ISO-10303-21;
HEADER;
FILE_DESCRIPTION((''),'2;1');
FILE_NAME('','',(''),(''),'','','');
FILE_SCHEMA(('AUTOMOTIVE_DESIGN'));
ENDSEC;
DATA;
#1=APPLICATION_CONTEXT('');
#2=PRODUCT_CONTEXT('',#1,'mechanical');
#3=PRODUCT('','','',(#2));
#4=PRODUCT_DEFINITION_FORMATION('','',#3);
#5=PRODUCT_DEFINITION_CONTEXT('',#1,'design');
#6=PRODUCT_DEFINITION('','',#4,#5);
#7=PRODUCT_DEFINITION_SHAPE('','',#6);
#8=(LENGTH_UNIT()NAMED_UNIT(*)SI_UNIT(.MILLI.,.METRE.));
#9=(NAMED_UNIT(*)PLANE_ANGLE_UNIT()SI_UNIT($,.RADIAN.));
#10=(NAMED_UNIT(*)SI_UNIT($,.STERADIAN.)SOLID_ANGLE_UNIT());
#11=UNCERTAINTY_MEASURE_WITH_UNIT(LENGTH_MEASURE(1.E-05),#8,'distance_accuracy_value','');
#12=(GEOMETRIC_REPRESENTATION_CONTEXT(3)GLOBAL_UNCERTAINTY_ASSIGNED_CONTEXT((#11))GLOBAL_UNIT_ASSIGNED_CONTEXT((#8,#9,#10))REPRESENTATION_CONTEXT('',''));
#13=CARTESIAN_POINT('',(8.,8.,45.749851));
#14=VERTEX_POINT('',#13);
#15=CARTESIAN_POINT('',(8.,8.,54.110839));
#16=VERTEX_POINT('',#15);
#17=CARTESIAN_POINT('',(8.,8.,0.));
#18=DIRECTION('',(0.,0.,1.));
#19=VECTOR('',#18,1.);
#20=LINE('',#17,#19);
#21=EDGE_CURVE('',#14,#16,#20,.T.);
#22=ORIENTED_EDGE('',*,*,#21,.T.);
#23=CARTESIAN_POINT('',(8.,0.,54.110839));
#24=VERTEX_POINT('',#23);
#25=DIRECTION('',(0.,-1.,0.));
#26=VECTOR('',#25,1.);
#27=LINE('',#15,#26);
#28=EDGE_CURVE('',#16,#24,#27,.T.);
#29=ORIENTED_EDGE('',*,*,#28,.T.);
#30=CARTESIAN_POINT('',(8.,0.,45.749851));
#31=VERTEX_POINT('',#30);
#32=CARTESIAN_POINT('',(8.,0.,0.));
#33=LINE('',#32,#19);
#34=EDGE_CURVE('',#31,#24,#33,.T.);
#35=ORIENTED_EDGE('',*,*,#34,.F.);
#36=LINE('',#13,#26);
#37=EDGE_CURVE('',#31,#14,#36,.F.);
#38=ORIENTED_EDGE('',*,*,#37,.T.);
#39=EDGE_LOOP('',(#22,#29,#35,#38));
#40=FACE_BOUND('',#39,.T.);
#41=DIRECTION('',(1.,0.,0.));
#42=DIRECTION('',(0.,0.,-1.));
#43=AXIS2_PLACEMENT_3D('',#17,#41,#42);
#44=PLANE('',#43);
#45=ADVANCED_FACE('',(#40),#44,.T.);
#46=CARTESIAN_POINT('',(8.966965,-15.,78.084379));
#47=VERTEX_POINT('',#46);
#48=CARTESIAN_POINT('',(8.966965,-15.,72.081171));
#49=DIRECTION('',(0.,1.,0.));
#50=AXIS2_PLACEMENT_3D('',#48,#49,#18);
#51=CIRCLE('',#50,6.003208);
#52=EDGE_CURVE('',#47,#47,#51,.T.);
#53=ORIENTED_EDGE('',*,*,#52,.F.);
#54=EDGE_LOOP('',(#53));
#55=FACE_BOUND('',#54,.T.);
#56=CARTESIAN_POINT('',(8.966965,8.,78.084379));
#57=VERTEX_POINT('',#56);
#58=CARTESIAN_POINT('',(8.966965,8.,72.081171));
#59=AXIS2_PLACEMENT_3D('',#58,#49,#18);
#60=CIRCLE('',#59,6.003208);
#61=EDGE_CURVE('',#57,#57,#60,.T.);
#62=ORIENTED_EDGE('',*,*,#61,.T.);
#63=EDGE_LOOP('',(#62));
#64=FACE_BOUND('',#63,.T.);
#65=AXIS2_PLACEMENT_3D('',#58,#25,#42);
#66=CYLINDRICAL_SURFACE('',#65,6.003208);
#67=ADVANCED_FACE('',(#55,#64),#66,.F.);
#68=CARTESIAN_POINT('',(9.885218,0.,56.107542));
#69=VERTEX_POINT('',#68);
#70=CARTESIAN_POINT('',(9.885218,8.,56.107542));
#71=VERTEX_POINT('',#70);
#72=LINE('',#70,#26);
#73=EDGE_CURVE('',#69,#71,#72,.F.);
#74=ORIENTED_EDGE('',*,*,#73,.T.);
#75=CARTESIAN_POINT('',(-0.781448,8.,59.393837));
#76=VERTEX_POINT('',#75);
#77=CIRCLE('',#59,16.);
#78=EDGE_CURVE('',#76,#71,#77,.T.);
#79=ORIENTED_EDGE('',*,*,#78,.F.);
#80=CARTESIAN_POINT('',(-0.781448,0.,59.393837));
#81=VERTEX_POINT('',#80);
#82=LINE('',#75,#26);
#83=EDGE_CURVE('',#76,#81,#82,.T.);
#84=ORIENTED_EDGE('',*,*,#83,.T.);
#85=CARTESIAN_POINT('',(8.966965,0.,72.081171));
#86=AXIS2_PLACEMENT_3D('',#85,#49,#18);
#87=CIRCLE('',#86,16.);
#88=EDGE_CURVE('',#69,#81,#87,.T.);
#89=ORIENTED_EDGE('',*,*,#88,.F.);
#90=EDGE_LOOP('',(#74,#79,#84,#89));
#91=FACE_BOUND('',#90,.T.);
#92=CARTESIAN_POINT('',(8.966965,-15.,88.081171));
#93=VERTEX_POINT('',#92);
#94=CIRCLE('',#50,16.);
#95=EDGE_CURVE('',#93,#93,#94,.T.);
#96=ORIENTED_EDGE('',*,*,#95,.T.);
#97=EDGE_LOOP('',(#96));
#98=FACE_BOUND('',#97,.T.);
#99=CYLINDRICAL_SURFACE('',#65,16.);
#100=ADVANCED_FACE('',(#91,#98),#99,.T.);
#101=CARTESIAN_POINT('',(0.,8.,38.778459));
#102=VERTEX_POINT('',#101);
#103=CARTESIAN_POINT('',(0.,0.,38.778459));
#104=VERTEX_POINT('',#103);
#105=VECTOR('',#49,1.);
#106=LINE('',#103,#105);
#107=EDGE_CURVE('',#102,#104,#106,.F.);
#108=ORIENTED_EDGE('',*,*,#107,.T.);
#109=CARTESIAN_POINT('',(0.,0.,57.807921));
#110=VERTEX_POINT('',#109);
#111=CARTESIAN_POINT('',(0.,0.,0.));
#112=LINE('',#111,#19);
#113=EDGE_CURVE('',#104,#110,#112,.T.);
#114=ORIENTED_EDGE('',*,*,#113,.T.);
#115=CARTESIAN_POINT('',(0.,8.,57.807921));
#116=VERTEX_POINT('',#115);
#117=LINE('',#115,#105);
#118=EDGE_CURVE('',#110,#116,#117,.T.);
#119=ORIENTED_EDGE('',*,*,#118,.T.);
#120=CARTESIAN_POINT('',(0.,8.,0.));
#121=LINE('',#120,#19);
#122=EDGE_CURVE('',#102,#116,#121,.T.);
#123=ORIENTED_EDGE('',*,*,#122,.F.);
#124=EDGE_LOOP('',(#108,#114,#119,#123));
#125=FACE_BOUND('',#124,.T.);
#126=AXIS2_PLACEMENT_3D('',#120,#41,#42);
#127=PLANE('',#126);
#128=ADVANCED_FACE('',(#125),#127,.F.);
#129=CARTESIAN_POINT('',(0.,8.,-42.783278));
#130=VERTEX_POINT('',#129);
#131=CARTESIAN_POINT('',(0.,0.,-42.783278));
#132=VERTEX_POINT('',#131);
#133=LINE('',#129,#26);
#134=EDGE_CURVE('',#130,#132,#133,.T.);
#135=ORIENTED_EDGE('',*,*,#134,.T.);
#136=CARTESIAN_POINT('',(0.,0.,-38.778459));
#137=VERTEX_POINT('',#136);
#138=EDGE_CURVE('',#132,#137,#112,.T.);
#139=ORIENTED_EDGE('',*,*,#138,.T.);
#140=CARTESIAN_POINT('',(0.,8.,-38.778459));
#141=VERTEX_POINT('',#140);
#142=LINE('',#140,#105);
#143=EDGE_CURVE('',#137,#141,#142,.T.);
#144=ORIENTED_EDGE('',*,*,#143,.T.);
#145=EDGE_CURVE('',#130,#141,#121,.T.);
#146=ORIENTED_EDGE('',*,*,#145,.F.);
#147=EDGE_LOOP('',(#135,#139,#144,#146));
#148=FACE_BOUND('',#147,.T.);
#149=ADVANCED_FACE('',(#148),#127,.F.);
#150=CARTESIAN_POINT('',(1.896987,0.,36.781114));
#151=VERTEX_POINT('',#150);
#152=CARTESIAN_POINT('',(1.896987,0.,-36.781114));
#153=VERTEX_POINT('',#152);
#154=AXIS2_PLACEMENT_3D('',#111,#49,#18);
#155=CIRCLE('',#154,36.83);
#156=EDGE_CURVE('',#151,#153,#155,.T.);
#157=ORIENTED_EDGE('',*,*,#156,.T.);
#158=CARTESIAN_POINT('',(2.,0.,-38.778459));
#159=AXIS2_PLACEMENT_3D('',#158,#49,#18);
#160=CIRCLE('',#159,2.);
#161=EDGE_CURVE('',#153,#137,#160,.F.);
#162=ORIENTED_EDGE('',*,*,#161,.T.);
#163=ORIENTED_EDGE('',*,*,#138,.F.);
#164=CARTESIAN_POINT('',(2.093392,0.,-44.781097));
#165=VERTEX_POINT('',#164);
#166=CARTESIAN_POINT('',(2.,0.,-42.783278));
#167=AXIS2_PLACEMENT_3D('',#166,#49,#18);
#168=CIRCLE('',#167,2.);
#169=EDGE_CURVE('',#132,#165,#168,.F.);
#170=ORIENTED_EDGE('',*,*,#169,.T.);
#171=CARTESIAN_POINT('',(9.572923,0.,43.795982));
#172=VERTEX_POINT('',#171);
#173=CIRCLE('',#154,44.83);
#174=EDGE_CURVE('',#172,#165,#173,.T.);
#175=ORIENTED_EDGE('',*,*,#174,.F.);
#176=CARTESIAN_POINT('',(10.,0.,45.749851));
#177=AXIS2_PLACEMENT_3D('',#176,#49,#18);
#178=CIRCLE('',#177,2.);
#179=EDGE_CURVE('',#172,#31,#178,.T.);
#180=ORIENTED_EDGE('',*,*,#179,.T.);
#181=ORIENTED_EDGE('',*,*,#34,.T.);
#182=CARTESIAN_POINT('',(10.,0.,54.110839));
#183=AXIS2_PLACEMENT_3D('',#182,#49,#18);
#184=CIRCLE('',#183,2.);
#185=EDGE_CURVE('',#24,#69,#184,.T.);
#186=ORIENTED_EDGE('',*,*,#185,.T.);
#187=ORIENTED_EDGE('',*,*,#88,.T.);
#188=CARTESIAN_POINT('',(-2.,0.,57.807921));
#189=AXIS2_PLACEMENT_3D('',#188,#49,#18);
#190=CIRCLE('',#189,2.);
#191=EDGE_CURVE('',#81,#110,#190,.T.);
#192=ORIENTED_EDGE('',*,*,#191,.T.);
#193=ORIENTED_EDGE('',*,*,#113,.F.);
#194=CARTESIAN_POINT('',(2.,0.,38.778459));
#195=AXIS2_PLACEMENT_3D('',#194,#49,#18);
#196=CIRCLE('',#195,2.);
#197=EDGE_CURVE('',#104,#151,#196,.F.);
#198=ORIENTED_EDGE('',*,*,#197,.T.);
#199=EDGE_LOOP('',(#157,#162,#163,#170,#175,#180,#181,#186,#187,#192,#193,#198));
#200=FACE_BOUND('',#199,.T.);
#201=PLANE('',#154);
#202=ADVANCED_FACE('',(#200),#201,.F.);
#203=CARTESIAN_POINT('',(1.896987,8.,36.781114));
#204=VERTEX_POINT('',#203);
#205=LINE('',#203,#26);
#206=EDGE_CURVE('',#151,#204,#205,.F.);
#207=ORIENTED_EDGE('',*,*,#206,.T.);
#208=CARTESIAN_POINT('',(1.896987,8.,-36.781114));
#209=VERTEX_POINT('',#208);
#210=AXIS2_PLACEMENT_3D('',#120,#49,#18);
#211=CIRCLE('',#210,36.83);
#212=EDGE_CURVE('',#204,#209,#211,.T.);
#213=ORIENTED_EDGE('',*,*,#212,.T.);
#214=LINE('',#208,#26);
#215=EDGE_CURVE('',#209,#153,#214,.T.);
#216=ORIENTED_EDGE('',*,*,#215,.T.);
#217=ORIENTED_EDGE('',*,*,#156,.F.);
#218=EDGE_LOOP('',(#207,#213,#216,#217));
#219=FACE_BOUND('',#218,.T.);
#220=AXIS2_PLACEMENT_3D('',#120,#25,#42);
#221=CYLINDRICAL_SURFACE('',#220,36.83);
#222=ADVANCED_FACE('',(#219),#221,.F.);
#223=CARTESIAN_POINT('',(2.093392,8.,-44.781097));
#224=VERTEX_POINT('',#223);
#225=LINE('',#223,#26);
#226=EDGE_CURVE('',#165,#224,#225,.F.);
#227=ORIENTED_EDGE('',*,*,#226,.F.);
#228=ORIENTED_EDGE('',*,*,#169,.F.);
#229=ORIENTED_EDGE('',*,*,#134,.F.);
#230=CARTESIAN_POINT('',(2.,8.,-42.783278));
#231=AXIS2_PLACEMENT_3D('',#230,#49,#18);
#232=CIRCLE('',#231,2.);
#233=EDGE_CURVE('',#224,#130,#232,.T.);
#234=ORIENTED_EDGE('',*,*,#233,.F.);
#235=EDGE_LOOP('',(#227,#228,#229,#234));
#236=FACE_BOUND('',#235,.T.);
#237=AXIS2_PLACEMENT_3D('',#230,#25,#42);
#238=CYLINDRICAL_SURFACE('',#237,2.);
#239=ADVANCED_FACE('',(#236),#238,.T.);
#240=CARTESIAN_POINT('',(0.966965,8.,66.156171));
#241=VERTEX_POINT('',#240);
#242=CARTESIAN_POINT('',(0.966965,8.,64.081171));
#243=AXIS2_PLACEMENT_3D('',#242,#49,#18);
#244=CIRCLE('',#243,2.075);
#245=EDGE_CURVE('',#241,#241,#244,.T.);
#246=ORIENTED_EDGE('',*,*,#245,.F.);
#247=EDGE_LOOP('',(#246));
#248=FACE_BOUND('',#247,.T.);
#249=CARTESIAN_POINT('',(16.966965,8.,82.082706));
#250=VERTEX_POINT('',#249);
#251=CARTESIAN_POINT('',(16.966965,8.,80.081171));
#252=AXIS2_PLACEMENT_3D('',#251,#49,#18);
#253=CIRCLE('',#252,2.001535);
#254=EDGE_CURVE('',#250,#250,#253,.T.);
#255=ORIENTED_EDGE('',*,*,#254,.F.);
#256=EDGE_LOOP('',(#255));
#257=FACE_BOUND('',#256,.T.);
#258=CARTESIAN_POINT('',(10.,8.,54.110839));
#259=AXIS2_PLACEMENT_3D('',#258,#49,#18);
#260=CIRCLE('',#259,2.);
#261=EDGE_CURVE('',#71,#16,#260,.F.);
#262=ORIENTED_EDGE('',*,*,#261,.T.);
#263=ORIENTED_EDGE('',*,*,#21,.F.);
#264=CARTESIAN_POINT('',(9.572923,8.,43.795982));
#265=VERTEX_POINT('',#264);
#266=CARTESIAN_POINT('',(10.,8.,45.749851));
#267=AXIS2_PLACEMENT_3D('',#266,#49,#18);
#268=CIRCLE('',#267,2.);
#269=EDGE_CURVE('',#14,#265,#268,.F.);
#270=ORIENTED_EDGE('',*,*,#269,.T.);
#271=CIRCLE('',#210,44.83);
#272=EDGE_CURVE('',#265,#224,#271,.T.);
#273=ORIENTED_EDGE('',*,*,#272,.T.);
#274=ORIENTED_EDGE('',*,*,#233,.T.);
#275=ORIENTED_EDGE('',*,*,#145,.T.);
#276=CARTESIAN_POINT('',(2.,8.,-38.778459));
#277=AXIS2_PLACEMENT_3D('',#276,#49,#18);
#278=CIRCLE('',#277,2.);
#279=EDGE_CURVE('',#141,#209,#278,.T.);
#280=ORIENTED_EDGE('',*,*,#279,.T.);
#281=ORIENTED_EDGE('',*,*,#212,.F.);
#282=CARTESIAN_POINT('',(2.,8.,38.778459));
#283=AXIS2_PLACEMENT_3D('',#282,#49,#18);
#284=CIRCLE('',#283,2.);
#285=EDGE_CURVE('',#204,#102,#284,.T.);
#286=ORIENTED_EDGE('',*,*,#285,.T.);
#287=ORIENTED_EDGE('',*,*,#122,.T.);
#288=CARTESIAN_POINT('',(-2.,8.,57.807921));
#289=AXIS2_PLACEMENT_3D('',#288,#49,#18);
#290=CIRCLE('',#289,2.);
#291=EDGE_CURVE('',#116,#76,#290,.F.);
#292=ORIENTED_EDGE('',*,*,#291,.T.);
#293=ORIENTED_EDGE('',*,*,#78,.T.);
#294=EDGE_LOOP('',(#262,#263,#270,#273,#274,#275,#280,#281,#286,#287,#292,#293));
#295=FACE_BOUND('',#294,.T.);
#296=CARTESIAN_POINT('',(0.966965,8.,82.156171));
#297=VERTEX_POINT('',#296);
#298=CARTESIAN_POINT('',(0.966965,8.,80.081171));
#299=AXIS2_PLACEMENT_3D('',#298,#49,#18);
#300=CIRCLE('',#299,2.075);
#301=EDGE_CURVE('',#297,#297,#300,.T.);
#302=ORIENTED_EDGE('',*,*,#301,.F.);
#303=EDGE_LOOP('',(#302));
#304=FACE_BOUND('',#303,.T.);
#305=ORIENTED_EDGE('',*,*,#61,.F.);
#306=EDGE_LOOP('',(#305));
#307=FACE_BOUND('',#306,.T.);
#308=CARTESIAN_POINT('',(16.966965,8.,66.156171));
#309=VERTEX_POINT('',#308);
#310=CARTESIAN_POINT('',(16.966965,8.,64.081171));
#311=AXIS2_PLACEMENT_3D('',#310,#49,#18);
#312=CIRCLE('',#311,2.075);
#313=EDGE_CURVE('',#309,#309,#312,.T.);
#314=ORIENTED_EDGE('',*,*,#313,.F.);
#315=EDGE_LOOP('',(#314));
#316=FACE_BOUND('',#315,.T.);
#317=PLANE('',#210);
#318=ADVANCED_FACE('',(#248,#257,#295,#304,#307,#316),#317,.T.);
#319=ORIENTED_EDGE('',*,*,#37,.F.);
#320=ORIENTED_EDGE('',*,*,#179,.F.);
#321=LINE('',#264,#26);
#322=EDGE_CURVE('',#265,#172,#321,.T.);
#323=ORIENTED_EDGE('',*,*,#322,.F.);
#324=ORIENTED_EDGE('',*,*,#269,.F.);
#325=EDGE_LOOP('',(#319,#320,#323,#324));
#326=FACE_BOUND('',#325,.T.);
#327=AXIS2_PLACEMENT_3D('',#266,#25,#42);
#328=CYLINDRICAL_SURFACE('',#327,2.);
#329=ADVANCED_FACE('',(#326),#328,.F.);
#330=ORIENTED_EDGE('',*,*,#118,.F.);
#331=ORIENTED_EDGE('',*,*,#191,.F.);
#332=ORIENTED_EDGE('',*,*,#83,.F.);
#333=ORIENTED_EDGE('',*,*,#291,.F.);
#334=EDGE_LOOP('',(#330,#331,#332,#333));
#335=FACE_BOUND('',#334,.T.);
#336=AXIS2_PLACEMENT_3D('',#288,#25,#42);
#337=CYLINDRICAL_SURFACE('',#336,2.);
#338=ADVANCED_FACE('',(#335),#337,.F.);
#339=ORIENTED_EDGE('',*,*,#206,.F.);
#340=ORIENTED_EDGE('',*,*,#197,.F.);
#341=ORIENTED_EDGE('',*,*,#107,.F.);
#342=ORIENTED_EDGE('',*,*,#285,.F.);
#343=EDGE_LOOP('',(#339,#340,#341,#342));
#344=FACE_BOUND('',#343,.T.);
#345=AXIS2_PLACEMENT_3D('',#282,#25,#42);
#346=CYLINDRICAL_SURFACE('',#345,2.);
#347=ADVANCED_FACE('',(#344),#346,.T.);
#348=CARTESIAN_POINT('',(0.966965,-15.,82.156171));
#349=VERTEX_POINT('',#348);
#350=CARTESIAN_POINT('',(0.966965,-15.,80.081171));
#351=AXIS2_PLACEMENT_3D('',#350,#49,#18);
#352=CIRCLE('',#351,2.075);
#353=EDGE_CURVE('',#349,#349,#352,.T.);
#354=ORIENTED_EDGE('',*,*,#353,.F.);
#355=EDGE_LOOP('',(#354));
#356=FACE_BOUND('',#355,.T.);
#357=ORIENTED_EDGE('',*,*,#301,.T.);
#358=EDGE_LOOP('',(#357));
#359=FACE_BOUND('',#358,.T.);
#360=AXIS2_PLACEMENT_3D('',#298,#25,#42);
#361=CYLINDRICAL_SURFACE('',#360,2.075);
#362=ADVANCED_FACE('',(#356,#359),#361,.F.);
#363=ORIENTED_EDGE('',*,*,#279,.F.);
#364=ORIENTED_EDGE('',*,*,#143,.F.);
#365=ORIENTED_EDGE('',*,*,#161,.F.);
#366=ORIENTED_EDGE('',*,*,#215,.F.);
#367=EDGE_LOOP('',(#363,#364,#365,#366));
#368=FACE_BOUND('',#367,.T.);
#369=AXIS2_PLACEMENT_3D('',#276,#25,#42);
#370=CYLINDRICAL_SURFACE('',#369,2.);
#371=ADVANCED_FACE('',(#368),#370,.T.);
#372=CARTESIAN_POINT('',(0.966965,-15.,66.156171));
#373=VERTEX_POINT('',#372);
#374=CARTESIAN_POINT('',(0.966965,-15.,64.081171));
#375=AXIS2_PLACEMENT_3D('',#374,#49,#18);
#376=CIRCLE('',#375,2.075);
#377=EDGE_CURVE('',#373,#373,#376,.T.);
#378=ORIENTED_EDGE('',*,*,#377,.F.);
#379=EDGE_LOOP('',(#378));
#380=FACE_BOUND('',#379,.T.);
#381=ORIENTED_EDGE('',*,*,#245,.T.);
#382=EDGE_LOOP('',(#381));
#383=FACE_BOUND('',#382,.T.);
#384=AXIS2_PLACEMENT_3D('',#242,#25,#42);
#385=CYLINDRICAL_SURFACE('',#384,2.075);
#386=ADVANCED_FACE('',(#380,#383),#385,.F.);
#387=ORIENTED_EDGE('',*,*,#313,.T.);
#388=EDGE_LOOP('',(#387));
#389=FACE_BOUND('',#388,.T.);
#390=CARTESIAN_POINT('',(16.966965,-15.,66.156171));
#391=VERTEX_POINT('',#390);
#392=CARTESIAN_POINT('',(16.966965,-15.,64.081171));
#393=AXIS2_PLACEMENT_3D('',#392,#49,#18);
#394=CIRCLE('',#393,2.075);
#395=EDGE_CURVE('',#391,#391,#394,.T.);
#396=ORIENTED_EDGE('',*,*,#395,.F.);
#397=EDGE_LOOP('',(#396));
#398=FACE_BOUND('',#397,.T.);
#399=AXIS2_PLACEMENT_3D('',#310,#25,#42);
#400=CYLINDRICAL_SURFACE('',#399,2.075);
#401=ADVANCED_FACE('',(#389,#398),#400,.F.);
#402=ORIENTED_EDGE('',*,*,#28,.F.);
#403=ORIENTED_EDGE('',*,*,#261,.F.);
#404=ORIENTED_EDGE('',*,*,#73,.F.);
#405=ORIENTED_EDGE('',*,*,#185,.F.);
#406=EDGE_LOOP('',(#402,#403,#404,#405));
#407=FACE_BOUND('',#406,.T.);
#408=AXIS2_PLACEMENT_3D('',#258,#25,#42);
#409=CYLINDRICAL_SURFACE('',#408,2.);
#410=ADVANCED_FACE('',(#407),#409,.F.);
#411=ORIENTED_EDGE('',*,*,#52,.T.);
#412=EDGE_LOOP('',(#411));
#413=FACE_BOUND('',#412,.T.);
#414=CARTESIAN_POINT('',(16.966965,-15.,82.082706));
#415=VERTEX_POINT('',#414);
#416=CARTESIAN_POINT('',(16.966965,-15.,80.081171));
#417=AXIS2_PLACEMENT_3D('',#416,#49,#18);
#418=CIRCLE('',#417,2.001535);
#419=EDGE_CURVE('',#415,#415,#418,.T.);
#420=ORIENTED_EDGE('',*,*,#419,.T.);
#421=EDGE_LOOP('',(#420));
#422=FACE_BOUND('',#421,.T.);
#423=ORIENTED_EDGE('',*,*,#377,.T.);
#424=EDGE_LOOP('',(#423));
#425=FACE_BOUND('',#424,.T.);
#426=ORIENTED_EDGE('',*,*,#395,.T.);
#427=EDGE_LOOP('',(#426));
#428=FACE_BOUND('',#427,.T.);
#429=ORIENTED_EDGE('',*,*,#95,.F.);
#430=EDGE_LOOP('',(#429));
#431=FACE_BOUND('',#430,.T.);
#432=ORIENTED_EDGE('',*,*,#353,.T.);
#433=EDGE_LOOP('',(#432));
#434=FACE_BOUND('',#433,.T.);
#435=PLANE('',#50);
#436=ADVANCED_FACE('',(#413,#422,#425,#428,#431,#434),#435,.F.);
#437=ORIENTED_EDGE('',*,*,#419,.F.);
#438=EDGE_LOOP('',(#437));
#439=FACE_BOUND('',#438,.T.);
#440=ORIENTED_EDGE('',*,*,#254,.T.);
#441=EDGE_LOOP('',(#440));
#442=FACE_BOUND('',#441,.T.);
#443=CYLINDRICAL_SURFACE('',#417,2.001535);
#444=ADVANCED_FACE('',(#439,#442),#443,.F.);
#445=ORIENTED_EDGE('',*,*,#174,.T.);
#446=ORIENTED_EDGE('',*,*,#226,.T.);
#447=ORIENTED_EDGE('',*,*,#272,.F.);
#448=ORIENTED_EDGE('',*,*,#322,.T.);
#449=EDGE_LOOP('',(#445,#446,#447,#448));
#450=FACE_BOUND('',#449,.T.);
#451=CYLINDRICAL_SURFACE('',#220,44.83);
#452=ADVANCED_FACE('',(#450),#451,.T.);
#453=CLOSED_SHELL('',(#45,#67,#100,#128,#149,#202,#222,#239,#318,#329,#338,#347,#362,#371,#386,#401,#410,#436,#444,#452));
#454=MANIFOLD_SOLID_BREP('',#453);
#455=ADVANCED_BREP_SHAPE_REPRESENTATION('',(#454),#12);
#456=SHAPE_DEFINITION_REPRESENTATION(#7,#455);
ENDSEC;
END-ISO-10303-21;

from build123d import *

# Parameters (mm, degrees)
SKETCH1_R           = 2.075
SKETCH1_R_2         = 6.003208263
BOSS_EXTRUDE2_DEPTH = 8
FILLET1_R           = 2
BOSS_EXTRUDE3_START = -23
SKETCH2_R           = 16
SKETCH2_R_2         = 6.003208263
SKETCH2_R_3         = 2.001534735
SKETCH2_R_4         = 2.075
BOSS_EXTRUDE3_DEPTH = 23


with BuildPart() as part:
    # Sketch1 → Boss-Extrude2 (new body)
    with BuildSketch(Plane(origin=(0, 0, 0), x_dir=(1, 0, 0), z_dir=(0, 1, 0))):
        with BuildLine():
            Line((0, 44.83), (0, 36.83))
            ThreePointArc((0, 36.83), (36.83, 0), (0, -36.83))
            Line((0, -36.83), (0, -46.83))
            Line((0, -46.83), (0, -58.83))
            ThreePointArc((0, -58.83), (14.116701064, -87.229775601), (8, -56.110417137))
            Line((8, -56.110417137), (8, -44.110417137))
            ThreePointArc((8, -44.110417137), (44.649741882, 4.016148637), (0, 44.83))
        make_face()
        with Locations(Location((0.96696537, -64.081170969, 0), (0, 0, 270))):
            Circle(SKETCH1_R, mode=Mode.SUBTRACT)
        with Locations(Location((16.96696537, -64.081170969, 0), (0, 0, 270))):
            Circle(SKETCH1_R, mode=Mode.SUBTRACT)
        with Locations(Location((16.96696537, -80.081170969, 0), (0, 0, 270))):
            Circle(SKETCH1_R, mode=Mode.SUBTRACT)
        with Locations(Location((0.96696537, -80.081170969, 0), (0, 0, 270))):
            Circle(SKETCH1_R, mode=Mode.SUBTRACT)
        with Locations(Location((8.96696537, -72.081170969, 0), (0, 0, 270))):
            Circle(SKETCH1_R_2, mode=Mode.SUBTRACT)
    extrude(amount=BOSS_EXTRUDE2_DEPTH)

    # Fillet1
    fillet1_edges = [part.edges().sort_by_distance(p)[0] for p in [
        (0, 4, 58.83),
        (0, 4, 36.83),
        (0, 4, -36.83),
        (0, 4, -44.83),
        (8, 4, 44.110417137),
        (8, 4, 56.110417137),
    ]]
    fillet(fillet1_edges, radius=FILLET1_R)

    # Sketch2 → Boss-Extrude3 (add)
    with BuildSketch(Plane(origin=(0, 8, 0), x_dir=(1, 0, 0), z_dir=(0, 1, 0)).offset(BOSS_EXTRUDE3_START)):
        with Locations(Location((8.96696537, -72.081170969, 0), (0, 0, 86.709940875))):
            Circle(SKETCH2_R)
        with Locations(Location((8.96696537, -72.081170969, 0), (0, 0, 270))):
            Circle(SKETCH2_R_2, mode=Mode.SUBTRACT)
        with Locations(Location((16.96696537, -80.081170969, 0), (0, 0, 270))):
            Circle(SKETCH2_R_3, mode=Mode.SUBTRACT)
        with Locations(Location((16.96696537, -64.081170969, 0), (0, 0, 270))):
            Circle(SKETCH2_R_4, mode=Mode.SUBTRACT)
        with Locations(Location((0.96696537, -64.081170969, 0), (0, 0, 270))):
            Circle(SKETCH2_R_4, mode=Mode.SUBTRACT)
        with Locations(Location((0.96696537, -80.081170969, 0), (0, 0, 270))):
            Circle(SKETCH2_R_4, mode=Mode.SUBTRACT)
    extrude(amount=BOSS_EXTRUDE3_DEPTH)


solid = part.part
